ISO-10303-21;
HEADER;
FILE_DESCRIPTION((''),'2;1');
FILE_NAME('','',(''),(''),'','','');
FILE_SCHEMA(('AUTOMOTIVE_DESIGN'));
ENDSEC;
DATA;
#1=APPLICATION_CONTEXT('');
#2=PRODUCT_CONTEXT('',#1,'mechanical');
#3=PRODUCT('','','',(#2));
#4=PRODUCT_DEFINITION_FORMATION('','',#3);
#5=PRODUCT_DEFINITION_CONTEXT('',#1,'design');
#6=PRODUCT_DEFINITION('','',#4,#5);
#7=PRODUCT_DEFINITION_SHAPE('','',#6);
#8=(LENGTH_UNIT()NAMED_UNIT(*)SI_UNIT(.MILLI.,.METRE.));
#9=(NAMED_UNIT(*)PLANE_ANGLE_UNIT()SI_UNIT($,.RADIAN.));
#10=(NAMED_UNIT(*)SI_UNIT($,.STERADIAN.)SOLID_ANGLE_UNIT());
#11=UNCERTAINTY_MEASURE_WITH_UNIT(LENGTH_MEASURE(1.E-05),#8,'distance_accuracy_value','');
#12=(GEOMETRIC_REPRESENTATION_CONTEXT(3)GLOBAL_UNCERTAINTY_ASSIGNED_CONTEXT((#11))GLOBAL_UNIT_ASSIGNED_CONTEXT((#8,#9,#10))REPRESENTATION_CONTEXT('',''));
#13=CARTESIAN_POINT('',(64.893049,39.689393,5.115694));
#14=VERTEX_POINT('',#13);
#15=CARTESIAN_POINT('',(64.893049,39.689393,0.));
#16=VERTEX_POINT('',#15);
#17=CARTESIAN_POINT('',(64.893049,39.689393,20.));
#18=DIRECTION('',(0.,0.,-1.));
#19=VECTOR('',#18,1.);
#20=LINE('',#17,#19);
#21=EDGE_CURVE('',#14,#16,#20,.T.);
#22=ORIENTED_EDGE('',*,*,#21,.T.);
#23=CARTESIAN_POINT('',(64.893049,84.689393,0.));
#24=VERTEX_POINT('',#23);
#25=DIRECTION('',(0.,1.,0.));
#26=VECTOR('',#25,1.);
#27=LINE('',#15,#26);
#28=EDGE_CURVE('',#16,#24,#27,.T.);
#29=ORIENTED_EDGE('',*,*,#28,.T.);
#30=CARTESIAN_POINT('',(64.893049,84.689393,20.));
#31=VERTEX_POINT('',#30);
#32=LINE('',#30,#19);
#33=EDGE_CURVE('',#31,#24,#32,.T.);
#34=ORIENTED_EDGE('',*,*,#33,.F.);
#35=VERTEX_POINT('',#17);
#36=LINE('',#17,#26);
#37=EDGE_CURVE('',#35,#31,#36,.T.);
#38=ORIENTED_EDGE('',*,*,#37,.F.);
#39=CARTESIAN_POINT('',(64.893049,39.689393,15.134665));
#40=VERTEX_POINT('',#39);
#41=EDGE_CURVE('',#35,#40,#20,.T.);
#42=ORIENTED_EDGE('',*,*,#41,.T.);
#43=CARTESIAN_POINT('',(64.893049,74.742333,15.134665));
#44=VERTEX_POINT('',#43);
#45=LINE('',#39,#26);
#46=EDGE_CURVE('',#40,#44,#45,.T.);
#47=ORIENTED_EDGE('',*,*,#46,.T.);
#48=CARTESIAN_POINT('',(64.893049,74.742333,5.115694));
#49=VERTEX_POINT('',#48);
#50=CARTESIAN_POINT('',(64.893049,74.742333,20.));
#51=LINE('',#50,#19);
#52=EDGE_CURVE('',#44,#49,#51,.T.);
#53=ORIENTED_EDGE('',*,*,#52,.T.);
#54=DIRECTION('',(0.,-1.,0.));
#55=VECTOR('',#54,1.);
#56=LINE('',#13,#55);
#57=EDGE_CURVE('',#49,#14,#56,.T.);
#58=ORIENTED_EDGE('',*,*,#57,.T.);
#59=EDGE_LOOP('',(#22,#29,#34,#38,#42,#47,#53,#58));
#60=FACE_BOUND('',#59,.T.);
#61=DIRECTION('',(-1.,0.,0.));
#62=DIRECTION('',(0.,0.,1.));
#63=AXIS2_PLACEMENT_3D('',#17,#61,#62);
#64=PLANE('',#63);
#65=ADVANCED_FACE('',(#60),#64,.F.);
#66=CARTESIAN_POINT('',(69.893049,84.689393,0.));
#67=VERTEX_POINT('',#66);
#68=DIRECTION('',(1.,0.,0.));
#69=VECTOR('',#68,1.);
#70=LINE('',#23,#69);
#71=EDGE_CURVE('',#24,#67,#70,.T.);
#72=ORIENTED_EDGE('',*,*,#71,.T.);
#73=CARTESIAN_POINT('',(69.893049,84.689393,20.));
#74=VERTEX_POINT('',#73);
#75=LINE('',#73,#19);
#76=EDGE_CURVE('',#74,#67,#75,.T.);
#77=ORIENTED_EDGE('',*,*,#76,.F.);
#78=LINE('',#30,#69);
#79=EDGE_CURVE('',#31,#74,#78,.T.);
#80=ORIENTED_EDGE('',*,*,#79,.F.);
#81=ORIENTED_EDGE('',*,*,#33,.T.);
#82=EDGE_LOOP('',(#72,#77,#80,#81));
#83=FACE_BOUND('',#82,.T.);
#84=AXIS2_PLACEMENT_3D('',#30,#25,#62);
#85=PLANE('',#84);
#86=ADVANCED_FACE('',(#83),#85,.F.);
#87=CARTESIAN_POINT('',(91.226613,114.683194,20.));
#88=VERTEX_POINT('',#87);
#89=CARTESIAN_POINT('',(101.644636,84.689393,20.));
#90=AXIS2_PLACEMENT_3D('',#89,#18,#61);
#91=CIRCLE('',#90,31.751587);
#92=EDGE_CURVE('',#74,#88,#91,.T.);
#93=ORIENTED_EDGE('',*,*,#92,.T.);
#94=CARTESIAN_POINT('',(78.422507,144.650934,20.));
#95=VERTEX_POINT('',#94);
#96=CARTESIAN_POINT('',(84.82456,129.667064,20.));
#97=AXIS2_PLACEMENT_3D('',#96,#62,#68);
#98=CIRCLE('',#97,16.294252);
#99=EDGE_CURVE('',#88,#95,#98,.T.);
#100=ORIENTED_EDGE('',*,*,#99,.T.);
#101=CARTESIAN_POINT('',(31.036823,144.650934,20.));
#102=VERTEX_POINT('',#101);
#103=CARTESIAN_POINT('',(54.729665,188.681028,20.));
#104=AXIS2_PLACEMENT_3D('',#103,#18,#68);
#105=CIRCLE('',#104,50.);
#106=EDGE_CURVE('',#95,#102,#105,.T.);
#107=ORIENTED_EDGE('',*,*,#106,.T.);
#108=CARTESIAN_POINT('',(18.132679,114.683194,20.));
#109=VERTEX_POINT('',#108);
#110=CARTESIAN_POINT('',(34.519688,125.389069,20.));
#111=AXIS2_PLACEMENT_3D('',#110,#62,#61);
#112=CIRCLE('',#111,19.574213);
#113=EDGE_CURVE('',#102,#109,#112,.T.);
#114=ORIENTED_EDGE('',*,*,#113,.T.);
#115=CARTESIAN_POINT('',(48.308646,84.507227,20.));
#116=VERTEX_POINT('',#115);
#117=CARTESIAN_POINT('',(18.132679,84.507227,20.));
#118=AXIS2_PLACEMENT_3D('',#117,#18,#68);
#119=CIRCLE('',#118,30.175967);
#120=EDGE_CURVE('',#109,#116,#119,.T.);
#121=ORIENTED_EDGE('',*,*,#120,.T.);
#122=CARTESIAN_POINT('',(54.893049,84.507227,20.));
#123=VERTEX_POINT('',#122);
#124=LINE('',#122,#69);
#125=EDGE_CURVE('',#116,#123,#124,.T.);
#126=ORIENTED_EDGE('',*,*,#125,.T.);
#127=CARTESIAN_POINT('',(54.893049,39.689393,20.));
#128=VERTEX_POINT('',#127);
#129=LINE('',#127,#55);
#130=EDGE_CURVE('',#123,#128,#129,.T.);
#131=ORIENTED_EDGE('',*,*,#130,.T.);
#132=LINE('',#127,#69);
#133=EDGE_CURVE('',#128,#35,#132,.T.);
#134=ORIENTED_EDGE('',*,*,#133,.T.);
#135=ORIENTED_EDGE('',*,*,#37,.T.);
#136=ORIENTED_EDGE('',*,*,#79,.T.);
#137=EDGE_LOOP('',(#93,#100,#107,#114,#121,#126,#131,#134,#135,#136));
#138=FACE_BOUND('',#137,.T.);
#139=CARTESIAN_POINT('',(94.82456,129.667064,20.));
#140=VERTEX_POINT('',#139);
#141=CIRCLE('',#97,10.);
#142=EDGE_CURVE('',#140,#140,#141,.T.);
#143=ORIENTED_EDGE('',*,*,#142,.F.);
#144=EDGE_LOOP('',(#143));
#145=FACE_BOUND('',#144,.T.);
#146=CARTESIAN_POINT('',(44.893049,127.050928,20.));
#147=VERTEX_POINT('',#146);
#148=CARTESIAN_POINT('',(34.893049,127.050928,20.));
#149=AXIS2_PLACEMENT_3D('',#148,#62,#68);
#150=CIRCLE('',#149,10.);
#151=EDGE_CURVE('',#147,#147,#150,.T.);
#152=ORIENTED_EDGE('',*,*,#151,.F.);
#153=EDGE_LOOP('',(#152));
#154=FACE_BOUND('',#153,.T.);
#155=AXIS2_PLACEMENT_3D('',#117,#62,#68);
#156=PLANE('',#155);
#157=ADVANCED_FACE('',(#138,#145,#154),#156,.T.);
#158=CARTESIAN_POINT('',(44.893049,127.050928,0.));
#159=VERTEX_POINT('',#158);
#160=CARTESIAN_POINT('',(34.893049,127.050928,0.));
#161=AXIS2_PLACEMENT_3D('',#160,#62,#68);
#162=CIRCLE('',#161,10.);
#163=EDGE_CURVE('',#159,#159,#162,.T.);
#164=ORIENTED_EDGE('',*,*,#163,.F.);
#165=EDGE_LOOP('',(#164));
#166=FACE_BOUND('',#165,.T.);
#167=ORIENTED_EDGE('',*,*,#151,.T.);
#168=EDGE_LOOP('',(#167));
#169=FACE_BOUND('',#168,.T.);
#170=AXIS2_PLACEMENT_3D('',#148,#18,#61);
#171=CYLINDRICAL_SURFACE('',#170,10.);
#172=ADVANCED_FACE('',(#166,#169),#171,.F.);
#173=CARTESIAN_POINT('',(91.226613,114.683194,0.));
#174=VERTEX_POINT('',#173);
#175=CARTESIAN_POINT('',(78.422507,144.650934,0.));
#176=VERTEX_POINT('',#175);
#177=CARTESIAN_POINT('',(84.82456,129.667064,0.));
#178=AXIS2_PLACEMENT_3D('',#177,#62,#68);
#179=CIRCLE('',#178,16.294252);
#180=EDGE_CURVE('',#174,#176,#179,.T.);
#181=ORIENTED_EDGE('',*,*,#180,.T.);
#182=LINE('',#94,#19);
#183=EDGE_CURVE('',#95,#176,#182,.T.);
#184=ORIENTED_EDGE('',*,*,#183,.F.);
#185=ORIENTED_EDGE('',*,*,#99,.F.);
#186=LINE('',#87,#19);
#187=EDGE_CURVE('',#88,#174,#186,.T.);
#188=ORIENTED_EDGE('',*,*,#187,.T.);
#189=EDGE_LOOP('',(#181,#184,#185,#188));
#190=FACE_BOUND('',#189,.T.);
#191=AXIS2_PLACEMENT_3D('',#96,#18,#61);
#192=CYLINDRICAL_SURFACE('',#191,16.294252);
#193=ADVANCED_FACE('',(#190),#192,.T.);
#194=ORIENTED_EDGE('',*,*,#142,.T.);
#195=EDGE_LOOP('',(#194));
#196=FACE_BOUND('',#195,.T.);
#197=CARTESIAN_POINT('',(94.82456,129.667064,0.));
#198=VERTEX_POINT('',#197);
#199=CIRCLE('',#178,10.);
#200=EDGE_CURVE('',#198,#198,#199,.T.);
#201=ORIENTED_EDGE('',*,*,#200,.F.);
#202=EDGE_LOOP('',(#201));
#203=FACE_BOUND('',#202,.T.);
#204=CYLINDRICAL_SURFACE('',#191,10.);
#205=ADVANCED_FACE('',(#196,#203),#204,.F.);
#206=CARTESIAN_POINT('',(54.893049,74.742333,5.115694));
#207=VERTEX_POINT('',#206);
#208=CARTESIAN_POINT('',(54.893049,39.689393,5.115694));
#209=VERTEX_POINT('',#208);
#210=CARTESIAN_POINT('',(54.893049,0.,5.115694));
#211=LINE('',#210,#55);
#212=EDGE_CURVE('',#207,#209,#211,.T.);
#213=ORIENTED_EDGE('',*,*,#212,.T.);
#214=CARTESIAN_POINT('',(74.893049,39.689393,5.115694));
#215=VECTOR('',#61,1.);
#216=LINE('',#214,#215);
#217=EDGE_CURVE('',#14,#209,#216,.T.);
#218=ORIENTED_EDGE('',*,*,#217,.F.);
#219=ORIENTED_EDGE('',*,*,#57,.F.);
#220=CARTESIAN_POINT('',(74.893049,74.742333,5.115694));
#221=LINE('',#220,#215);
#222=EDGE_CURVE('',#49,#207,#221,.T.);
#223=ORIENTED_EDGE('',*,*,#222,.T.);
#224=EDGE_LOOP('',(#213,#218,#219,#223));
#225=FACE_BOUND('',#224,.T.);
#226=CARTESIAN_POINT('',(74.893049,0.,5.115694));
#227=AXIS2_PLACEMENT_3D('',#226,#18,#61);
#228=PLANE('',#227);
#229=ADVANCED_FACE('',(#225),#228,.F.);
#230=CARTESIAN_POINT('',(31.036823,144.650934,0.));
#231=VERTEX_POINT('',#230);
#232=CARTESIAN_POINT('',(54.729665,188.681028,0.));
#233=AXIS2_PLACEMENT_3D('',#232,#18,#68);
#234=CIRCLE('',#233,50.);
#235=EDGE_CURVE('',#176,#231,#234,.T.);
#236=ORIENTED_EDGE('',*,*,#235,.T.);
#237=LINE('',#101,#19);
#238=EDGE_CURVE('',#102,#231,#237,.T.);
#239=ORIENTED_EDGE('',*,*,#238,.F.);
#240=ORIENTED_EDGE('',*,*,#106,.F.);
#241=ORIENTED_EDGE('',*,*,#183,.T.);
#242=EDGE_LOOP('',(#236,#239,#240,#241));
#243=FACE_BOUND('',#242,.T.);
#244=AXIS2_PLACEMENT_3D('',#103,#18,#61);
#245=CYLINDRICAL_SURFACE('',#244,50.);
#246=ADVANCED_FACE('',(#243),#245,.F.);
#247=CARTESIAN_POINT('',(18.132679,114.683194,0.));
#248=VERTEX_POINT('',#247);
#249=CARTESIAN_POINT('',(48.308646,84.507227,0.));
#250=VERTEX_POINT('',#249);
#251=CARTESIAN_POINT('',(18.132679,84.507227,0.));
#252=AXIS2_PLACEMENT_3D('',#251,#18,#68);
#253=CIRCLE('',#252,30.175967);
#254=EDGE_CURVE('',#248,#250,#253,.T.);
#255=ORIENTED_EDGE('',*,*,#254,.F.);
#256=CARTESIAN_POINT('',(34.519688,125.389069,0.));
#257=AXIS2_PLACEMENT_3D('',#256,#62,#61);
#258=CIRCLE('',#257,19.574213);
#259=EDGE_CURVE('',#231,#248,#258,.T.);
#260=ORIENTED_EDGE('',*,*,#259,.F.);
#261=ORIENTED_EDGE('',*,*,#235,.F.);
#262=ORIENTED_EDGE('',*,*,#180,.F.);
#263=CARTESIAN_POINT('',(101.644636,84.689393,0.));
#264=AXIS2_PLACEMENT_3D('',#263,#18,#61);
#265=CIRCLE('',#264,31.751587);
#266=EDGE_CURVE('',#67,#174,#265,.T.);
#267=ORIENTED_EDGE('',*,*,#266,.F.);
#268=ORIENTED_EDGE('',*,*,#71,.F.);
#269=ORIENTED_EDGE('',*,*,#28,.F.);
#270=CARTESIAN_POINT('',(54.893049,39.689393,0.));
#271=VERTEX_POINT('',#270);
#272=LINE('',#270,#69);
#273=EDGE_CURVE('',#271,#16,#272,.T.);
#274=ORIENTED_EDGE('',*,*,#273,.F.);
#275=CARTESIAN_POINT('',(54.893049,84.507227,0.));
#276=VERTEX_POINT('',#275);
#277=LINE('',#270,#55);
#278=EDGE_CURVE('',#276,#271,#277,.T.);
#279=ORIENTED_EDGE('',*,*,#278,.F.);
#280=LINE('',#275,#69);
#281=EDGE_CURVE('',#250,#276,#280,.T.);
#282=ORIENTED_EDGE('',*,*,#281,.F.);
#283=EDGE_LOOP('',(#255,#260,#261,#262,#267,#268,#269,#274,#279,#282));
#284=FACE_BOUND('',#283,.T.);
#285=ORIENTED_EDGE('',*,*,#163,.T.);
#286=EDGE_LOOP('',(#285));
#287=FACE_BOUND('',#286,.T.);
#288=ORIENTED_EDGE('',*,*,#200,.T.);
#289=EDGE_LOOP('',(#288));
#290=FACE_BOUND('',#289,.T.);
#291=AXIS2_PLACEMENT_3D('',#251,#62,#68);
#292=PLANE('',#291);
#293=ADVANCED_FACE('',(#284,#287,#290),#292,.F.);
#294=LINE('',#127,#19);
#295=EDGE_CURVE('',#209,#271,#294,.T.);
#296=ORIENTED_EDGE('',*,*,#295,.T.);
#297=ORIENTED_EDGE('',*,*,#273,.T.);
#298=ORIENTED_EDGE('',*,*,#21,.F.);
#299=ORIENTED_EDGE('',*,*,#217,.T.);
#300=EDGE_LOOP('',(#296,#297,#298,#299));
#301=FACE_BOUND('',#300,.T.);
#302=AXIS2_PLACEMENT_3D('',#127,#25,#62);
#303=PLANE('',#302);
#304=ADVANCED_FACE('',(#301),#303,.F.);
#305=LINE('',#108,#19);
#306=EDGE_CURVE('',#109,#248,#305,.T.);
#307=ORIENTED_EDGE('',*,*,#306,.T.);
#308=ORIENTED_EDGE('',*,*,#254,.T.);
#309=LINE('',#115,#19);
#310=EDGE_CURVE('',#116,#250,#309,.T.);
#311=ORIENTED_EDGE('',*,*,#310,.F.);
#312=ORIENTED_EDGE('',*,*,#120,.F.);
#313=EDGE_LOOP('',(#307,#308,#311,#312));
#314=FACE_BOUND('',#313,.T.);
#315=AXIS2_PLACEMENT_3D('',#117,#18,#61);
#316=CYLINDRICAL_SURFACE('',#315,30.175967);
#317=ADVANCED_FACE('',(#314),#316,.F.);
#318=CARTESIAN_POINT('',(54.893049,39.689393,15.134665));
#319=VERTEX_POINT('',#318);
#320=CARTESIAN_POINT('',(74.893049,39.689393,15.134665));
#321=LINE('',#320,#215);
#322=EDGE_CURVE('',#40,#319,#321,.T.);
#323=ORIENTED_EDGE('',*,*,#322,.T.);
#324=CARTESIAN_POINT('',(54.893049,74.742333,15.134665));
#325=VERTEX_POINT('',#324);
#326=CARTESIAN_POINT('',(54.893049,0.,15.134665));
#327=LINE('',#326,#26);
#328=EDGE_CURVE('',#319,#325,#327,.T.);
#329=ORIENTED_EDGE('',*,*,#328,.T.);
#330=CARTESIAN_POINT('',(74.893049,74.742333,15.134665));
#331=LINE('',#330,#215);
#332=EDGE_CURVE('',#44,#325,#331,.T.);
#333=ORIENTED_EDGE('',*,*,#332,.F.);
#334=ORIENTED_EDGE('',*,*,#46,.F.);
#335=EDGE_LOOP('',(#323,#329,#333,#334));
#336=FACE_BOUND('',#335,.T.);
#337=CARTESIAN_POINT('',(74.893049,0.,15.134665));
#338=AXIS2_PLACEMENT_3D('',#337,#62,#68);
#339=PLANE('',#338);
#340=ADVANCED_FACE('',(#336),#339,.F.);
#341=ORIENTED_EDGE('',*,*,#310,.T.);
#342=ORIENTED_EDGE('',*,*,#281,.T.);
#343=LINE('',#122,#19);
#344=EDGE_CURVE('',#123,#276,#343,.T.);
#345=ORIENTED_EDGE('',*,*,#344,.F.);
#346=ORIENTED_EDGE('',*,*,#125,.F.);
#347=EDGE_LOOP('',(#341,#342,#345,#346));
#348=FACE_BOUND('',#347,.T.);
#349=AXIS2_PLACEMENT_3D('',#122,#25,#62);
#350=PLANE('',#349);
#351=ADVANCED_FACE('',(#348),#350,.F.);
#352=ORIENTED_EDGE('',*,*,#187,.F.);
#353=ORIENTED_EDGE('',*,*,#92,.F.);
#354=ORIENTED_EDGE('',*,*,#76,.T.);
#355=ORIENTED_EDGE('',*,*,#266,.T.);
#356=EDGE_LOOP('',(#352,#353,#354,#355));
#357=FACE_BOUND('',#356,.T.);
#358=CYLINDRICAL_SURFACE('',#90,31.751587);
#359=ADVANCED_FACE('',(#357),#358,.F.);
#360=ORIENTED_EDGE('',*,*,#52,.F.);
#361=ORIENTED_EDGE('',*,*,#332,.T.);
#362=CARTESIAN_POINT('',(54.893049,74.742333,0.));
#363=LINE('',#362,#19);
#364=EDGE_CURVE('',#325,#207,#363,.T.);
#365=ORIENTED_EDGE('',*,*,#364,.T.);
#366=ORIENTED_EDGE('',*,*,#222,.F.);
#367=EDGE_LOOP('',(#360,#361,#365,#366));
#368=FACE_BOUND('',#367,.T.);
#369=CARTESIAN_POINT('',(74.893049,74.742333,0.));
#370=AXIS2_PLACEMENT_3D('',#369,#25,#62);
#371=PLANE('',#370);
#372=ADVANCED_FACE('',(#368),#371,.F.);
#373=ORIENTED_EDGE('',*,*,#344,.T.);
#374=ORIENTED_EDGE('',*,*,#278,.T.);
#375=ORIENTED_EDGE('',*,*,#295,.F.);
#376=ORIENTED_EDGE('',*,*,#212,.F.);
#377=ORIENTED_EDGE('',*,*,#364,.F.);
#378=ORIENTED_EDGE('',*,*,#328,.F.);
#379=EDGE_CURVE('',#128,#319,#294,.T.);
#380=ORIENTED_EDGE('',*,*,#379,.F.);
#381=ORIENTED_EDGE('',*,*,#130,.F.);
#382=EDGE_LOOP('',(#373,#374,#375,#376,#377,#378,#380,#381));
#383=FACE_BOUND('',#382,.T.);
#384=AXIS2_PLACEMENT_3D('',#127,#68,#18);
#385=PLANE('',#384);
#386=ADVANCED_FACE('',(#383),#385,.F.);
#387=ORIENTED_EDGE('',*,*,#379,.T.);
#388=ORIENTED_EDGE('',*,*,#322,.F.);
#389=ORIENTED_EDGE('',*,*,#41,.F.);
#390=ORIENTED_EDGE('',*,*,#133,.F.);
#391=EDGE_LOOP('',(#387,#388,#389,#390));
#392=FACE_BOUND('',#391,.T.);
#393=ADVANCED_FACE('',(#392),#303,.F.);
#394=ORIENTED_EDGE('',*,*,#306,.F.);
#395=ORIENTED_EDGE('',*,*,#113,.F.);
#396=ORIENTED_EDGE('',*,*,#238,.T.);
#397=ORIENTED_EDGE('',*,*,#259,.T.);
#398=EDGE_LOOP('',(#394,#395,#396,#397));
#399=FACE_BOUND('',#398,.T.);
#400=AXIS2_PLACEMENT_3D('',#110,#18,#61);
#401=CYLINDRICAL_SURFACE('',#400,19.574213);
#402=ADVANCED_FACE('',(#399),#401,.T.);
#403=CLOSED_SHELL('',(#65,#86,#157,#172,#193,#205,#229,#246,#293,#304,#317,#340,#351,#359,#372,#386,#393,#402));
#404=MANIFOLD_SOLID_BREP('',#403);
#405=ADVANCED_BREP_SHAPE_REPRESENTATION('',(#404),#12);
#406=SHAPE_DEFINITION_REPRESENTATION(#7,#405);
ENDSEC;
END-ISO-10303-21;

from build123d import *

# Parameters (mm, degrees)
SKETCH21_R           = 10
BOSS_EXTRUDE20_DEPTH = 20
SKETCH24_W           = 10.018971209
SKETCH24_H           = 35.052940056
CUT_EXTRUDE10_DEPTH  = 20


with BuildPart() as part:
    # Sketch21 → Boss-Extrude20 (new body)
    with BuildSketch(Plane.XY):
        with BuildLine():
            Line((54.893048592, 39.689392996), (64.893048592, 39.689392996))
            Line((64.893048592, 39.689392996), (64.893048592, 84.689392996))
            Line((64.893048592, 84.689392996), (69.893048592, 84.689392996))
            ThreePointArc((69.893048592, 84.689392996), (75.770400953, 103.092850807), (91.226612731, 114.683193669))
            ThreePointArc((91.226612731, 114.683193669), (99.80843011, 136.069116434), (78.422507345, 144.650933813))
            ThreePointArc((78.422507345, 144.650933813), (54.7296652, 138.68102842), (31.036823055, 144.650933813))
            ThreePointArc((31.036823055, 144.650933813), (16.541386166, 133.13054606), (18.132679452, 114.683193669))
            ThreePointArc((18.132679452, 114.683193669), (39.470310291, 105.844857587), (48.308646374, 84.507226748))
            Line((48.308646374, 84.507226748), (54.893048592, 84.507226748))
            Line((54.893048592, 84.507226748), (54.893048592, 39.689392996))
        make_face()
        with Locations((84.824560038, 129.667063741)):
            Circle(SKETCH21_R, mode=Mode.SUBTRACT)
        with Locations((34.893048592, 127.050928279)):
            Circle(SKETCH21_R, mode=Mode.SUBTRACT)
    extrude(amount=BOSS_EXTRUDE20_DEPTH)

    # Sketch24 → Cut-Extrude10 (cut)
    with BuildSketch(Plane.ZY.offset(-54.893048592)):
        with Locations((10.125179514, 57.215863024)):
            Rectangle(SKETCH24_W, SKETCH24_H)
    extrude(amount=-CUT_EXTRUDE10_DEPTH, mode=Mode.SUBTRACT)


solid = part.part
